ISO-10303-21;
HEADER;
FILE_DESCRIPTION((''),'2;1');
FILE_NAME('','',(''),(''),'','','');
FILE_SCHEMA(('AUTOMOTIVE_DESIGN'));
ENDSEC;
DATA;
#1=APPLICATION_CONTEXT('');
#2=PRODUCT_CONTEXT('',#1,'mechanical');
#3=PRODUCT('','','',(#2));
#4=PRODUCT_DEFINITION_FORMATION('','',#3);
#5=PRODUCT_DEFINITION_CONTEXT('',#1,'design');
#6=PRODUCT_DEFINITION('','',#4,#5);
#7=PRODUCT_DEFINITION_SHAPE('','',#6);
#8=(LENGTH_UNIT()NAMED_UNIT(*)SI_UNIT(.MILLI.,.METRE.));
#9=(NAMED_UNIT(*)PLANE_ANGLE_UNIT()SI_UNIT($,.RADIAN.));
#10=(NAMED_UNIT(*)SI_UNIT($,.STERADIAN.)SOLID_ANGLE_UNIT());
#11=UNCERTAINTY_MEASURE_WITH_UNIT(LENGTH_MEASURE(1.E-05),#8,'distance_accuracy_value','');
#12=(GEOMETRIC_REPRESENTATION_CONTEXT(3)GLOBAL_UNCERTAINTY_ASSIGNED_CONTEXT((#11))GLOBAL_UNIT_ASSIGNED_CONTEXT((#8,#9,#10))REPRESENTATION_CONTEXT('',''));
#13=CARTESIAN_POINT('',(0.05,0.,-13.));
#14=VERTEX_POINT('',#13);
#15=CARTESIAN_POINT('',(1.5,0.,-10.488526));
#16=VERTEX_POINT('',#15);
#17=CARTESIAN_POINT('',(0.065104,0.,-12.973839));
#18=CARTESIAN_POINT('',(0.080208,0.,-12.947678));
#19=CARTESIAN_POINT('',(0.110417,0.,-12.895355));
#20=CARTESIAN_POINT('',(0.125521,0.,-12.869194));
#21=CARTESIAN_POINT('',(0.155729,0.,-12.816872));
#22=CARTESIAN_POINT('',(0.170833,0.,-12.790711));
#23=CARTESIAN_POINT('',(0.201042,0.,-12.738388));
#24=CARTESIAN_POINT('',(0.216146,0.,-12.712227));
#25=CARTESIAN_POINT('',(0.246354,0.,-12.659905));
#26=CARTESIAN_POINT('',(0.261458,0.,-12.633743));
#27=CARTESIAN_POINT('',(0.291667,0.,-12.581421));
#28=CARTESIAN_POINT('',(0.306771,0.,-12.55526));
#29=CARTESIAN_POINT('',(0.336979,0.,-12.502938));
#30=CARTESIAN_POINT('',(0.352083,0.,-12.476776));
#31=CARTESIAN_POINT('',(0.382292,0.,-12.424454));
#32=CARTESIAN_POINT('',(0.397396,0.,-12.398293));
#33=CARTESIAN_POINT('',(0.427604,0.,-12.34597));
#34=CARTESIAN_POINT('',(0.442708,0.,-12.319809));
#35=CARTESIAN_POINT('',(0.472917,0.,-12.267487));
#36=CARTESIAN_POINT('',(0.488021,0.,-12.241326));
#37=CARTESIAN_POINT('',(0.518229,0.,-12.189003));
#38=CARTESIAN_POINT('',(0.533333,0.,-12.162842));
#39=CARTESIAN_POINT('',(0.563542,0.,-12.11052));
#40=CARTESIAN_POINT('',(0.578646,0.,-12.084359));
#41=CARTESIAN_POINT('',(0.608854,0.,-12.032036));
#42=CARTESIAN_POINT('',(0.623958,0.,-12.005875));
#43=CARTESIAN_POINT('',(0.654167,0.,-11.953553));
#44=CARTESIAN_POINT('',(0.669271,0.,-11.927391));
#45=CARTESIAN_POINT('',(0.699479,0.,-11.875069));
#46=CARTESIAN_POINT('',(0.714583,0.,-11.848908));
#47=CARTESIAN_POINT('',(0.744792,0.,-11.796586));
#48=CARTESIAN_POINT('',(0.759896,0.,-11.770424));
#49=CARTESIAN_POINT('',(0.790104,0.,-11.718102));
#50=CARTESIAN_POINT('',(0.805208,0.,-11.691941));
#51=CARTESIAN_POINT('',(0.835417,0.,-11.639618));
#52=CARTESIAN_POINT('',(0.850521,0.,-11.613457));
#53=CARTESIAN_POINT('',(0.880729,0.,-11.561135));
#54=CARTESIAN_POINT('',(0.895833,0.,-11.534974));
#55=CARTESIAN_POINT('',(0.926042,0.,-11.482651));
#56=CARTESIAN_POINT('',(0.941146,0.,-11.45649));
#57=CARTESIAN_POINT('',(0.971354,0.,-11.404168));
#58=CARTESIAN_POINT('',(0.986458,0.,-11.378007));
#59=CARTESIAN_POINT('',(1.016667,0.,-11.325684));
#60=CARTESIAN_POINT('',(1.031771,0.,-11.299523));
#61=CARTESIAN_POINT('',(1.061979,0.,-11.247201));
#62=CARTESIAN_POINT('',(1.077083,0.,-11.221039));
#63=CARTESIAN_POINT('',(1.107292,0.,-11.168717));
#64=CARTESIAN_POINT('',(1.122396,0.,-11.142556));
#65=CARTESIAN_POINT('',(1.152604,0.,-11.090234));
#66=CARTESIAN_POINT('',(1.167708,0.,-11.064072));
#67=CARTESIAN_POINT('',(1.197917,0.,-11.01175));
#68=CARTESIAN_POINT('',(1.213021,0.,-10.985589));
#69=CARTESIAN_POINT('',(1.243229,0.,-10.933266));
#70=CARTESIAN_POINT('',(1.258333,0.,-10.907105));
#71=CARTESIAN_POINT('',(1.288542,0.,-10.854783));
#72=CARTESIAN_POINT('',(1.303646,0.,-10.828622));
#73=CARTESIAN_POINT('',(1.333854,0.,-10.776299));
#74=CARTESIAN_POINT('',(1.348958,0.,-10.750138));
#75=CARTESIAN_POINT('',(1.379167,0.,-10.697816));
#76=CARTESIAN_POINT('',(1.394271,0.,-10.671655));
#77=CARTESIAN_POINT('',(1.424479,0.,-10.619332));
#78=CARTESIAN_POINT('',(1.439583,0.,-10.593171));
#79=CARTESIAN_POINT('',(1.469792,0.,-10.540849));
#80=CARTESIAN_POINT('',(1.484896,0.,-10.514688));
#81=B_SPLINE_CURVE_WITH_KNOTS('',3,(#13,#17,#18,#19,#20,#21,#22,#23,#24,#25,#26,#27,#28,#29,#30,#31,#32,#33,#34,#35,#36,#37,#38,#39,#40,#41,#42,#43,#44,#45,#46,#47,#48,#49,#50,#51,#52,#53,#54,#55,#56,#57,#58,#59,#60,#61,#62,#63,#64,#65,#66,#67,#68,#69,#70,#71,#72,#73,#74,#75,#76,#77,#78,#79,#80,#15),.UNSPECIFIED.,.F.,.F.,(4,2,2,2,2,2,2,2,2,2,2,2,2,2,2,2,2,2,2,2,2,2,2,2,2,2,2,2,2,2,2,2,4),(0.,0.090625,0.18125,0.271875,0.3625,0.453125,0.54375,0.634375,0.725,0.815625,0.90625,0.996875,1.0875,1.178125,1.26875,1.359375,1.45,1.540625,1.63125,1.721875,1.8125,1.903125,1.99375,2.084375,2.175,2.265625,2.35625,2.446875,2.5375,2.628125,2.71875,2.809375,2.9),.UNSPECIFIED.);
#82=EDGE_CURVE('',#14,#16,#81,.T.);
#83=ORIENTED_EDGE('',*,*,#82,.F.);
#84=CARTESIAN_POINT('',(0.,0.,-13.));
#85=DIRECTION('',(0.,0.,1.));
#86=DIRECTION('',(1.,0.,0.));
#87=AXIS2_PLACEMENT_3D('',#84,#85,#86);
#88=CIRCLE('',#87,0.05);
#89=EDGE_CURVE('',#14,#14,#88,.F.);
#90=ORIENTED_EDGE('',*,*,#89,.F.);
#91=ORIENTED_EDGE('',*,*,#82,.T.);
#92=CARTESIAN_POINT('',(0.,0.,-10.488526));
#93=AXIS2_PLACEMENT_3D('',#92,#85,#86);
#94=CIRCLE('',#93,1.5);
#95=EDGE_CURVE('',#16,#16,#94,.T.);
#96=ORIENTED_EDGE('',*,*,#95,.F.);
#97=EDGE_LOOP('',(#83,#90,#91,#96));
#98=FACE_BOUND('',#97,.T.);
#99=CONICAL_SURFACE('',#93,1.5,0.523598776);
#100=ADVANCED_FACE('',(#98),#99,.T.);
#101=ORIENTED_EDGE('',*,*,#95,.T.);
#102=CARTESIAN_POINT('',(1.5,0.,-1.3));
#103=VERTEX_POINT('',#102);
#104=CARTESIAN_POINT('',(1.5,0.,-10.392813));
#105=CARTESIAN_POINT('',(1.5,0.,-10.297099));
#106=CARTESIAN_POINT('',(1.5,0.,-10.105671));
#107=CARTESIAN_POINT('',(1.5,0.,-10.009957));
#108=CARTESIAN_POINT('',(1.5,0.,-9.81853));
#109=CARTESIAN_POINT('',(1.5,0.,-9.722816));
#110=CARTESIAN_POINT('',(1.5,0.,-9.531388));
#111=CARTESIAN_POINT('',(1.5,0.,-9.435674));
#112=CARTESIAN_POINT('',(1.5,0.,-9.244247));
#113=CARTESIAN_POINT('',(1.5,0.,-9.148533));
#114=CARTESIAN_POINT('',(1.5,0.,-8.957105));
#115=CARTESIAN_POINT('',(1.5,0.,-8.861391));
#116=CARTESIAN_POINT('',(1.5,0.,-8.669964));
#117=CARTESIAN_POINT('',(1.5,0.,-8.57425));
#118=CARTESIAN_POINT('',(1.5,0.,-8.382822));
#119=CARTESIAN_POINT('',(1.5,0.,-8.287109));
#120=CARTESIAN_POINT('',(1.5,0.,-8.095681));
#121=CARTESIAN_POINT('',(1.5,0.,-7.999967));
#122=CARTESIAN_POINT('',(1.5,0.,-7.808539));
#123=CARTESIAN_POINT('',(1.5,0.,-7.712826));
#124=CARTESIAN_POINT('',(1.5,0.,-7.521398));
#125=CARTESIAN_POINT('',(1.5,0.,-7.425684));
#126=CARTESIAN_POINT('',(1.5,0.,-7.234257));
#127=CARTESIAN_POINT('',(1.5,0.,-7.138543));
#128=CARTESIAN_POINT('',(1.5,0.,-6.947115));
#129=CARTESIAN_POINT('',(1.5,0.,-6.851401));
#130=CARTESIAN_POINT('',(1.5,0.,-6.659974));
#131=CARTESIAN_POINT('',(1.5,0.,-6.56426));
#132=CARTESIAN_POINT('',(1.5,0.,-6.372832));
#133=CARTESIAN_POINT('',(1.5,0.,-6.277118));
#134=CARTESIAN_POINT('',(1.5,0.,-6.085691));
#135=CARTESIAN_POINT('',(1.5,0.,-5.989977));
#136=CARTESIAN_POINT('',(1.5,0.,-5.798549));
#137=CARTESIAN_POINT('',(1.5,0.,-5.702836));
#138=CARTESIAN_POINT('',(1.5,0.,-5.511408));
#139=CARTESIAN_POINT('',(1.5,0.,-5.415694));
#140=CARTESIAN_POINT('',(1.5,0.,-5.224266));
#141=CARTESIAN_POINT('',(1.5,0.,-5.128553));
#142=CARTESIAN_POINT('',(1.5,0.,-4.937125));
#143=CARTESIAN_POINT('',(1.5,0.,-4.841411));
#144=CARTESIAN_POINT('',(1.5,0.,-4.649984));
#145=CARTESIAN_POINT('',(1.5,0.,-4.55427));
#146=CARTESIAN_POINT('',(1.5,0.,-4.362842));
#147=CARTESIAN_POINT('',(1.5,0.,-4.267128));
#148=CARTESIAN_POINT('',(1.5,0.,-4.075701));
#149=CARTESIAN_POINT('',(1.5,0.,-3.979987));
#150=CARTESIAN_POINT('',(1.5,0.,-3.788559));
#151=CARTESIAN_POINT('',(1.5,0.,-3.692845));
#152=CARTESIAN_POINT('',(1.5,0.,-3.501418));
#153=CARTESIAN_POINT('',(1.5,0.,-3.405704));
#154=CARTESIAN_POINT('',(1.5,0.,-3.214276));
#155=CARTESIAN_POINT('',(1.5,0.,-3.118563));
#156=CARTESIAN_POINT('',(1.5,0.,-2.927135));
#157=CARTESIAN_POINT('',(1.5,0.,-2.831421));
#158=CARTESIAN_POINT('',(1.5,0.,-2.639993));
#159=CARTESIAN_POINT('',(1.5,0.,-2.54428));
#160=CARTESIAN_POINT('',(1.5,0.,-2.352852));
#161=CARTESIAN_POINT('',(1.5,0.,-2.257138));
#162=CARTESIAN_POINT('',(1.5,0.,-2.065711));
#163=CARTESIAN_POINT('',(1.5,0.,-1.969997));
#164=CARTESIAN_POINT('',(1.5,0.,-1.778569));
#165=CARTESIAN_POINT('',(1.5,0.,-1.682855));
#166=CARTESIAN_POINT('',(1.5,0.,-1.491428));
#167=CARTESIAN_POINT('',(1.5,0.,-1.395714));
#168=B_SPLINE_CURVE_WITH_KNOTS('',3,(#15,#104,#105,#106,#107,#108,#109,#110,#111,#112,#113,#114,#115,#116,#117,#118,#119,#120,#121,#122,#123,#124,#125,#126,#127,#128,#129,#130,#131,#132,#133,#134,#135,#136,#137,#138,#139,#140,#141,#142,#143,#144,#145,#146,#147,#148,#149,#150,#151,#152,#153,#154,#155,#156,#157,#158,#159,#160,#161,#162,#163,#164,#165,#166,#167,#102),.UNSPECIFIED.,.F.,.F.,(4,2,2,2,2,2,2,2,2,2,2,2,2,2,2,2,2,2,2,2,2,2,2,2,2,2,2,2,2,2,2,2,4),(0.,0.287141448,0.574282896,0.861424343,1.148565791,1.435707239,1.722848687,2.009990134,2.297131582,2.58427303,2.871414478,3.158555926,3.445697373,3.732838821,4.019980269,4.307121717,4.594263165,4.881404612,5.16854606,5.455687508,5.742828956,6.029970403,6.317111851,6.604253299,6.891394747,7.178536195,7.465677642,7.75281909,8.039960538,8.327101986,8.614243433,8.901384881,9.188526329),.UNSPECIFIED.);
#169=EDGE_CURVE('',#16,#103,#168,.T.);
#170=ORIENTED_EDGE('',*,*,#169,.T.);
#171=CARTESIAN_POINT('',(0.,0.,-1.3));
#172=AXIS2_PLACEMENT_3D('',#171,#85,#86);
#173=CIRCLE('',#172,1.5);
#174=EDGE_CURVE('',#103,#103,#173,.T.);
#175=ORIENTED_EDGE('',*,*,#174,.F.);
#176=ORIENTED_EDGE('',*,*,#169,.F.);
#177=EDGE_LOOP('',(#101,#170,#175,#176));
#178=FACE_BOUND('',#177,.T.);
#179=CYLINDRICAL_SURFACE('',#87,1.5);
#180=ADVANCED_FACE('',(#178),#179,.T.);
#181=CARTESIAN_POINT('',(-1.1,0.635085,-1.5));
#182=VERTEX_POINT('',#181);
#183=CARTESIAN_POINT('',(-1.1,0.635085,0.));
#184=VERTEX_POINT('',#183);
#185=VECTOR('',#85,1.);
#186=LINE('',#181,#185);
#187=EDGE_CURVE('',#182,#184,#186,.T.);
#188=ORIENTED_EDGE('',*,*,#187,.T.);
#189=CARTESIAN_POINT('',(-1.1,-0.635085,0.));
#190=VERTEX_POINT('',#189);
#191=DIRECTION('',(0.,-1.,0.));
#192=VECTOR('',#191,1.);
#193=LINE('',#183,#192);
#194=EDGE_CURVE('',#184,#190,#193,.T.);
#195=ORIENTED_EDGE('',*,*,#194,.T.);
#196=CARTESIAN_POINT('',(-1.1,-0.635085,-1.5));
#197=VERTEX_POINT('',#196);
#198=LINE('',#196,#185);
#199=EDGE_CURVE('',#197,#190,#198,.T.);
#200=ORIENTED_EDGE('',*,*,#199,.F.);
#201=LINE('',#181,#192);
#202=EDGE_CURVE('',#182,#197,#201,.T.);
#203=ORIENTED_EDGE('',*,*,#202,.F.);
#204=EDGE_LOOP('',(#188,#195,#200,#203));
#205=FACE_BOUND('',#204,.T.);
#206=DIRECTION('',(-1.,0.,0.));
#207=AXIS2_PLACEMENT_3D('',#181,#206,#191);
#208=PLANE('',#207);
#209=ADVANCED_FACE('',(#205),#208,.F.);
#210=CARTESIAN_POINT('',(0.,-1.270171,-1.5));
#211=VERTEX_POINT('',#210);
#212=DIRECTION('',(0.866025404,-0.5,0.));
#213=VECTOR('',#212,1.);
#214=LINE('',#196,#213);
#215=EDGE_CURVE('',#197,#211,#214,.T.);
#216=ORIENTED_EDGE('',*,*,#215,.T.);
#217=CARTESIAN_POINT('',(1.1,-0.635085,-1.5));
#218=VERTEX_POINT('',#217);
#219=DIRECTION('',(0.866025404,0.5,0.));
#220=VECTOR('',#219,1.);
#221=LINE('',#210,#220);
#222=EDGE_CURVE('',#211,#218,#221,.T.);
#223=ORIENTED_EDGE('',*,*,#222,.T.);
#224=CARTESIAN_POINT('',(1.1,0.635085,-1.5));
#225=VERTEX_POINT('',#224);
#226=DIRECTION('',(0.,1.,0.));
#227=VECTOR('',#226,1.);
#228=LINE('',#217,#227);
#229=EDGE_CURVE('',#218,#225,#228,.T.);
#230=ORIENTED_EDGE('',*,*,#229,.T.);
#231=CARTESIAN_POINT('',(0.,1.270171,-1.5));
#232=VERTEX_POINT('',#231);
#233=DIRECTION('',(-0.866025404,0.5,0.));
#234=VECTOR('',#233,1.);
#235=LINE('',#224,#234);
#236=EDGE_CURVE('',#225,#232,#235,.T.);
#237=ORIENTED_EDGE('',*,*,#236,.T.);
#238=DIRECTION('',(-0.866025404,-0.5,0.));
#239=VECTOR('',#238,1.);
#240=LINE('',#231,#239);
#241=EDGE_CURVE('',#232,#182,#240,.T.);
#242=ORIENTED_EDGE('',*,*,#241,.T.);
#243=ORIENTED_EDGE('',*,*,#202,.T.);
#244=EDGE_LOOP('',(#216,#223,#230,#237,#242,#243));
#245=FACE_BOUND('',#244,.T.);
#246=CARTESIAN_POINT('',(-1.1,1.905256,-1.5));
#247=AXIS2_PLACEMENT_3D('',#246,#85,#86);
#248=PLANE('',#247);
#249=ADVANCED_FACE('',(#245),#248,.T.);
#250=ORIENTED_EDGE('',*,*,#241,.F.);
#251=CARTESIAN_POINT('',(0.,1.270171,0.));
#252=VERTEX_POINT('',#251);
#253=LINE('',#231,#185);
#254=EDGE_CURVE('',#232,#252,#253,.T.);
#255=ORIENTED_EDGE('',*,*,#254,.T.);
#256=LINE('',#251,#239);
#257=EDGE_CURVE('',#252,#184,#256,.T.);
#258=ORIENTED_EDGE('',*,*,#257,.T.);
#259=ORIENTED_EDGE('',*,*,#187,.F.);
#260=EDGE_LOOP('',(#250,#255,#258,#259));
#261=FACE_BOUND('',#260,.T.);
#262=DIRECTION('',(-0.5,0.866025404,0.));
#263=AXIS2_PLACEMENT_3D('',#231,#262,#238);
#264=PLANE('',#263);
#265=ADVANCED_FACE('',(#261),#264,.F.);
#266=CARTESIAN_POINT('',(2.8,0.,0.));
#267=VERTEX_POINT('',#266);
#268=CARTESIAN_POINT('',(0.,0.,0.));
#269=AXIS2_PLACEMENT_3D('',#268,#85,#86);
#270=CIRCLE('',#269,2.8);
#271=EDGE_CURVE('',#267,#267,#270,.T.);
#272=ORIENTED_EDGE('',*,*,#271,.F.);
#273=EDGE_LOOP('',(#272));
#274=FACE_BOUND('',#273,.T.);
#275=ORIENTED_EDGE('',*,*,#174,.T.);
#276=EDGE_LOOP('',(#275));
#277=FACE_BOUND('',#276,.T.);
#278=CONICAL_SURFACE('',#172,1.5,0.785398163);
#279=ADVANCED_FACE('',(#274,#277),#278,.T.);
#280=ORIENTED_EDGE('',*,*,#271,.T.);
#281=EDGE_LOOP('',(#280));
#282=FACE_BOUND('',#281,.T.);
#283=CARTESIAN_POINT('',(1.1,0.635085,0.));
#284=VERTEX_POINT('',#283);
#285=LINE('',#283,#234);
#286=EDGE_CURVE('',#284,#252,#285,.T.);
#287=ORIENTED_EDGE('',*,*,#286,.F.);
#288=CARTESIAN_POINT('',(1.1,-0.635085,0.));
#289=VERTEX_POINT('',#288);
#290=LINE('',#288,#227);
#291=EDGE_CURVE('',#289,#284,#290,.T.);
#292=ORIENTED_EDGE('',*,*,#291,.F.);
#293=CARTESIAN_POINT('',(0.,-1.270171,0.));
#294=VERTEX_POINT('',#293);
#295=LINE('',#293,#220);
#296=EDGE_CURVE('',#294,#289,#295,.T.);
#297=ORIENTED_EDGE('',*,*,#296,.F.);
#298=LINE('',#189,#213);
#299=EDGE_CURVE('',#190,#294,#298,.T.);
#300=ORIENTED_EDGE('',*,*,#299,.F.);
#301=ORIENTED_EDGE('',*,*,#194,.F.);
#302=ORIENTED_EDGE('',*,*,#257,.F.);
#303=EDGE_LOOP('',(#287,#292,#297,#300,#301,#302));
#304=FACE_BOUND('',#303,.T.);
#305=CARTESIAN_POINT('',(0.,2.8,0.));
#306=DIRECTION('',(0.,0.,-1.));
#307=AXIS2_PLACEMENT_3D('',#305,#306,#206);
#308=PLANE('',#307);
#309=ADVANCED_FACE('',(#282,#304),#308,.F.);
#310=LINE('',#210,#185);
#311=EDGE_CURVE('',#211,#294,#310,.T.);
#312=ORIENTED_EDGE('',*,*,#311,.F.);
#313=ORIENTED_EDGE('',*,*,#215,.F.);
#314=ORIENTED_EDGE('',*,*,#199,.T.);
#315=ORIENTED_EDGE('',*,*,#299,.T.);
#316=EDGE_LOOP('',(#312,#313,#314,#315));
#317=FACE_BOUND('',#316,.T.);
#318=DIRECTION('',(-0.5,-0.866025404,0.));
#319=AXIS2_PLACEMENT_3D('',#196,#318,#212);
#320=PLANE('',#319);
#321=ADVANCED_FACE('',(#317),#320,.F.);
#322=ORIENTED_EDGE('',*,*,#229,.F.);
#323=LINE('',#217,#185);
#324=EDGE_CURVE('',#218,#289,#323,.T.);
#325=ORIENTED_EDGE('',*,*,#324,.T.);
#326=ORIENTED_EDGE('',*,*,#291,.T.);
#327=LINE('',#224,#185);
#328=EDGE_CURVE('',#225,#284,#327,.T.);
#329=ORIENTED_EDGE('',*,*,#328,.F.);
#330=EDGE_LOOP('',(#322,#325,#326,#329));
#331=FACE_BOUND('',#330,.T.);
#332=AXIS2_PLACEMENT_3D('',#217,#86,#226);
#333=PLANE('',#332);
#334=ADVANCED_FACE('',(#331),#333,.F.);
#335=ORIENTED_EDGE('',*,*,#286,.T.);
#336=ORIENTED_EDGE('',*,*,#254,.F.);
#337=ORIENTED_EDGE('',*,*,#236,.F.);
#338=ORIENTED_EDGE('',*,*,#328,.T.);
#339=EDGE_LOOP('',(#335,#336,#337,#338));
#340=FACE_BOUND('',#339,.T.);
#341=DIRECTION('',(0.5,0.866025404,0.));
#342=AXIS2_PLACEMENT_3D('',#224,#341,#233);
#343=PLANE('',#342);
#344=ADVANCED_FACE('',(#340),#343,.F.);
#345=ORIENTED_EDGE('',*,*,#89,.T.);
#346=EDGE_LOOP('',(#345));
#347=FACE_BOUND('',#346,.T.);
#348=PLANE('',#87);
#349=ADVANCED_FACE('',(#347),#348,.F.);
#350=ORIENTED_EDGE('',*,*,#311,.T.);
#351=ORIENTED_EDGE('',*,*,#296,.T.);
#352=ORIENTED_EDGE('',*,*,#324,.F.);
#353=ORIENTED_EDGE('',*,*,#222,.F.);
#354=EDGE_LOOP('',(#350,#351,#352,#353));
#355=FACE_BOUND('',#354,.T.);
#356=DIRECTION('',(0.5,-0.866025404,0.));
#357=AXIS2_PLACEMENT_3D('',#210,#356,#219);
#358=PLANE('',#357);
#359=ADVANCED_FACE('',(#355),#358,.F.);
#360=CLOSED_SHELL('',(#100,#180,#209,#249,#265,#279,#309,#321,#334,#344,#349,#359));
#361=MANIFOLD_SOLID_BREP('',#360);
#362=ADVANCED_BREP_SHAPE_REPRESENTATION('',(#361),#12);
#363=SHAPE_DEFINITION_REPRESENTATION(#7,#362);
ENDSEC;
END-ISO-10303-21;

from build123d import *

# Parameters (mm, degrees)
ESQUISSE3_R             = 1.5
EXTRUSION1_DEPTH        = 13
ENL_V_MAT_EXTRU_2_DEPTH = 1.5
CHANFREIN1_SIZE         = 1.45
CHANFREIN1_SIZE2        = 2.511473671


with BuildPart() as part:
    # Esquisse1 → Révolution2 (revolve)
    with BuildSketch(Plane(origin=(0, 0, 0), x_dir=(0, 0, -1), z_dir=(1, 0, 0)), mode=Mode.PRIVATE) as r_volution2_sk:
        Polygon((0, 2.8), (1.3, 1.5), (1.3, 0), (0, 0), align=None)
    revolve(r_volution2_sk.sketch.rotate(Axis((0, 0, 1.603508429), (0, 0, -1)), 90), axis=Axis((0, 0, 1.603508429), (0, 0, -1)))

    # Esquisse3 → Extrusion1 (add)
    with BuildSketch(Plane.XY):
        Circle(ESQUISSE3_R)
    extrude(amount=-EXTRUSION1_DEPTH)

    # Esquisse2 → Enlèv. mat.-Extru.2 (cut)
    with BuildSketch(Plane.XY):
        Polygon((0, 1.270170592), (-1.1, 0.635085296), (-1.1, -0.635085296), (0, -1.270170592), (1.1, -0.635085296), (1.1, 0.635085296), align=None)
    extrude(amount=-ENL_V_MAT_EXTRU_2_DEPTH, mode=Mode.SUBTRACT)

    # Chanfrein1
    chanfrein1_edges = [part.edges().sort_by_distance(p)[0] for p in [
        (-1.5, 0, -13),
    ]]
    chanfrein1_side = [part.faces().sort_by_distance(p)[0] for p in [
        (0, 0, -13),
    ]]
    chamfer(chanfrein1_edges, length=CHANFREIN1_SIZE, length2=CHANFREIN1_SIZE2, reference=chanfrein1_side[0])


solid = part.part
